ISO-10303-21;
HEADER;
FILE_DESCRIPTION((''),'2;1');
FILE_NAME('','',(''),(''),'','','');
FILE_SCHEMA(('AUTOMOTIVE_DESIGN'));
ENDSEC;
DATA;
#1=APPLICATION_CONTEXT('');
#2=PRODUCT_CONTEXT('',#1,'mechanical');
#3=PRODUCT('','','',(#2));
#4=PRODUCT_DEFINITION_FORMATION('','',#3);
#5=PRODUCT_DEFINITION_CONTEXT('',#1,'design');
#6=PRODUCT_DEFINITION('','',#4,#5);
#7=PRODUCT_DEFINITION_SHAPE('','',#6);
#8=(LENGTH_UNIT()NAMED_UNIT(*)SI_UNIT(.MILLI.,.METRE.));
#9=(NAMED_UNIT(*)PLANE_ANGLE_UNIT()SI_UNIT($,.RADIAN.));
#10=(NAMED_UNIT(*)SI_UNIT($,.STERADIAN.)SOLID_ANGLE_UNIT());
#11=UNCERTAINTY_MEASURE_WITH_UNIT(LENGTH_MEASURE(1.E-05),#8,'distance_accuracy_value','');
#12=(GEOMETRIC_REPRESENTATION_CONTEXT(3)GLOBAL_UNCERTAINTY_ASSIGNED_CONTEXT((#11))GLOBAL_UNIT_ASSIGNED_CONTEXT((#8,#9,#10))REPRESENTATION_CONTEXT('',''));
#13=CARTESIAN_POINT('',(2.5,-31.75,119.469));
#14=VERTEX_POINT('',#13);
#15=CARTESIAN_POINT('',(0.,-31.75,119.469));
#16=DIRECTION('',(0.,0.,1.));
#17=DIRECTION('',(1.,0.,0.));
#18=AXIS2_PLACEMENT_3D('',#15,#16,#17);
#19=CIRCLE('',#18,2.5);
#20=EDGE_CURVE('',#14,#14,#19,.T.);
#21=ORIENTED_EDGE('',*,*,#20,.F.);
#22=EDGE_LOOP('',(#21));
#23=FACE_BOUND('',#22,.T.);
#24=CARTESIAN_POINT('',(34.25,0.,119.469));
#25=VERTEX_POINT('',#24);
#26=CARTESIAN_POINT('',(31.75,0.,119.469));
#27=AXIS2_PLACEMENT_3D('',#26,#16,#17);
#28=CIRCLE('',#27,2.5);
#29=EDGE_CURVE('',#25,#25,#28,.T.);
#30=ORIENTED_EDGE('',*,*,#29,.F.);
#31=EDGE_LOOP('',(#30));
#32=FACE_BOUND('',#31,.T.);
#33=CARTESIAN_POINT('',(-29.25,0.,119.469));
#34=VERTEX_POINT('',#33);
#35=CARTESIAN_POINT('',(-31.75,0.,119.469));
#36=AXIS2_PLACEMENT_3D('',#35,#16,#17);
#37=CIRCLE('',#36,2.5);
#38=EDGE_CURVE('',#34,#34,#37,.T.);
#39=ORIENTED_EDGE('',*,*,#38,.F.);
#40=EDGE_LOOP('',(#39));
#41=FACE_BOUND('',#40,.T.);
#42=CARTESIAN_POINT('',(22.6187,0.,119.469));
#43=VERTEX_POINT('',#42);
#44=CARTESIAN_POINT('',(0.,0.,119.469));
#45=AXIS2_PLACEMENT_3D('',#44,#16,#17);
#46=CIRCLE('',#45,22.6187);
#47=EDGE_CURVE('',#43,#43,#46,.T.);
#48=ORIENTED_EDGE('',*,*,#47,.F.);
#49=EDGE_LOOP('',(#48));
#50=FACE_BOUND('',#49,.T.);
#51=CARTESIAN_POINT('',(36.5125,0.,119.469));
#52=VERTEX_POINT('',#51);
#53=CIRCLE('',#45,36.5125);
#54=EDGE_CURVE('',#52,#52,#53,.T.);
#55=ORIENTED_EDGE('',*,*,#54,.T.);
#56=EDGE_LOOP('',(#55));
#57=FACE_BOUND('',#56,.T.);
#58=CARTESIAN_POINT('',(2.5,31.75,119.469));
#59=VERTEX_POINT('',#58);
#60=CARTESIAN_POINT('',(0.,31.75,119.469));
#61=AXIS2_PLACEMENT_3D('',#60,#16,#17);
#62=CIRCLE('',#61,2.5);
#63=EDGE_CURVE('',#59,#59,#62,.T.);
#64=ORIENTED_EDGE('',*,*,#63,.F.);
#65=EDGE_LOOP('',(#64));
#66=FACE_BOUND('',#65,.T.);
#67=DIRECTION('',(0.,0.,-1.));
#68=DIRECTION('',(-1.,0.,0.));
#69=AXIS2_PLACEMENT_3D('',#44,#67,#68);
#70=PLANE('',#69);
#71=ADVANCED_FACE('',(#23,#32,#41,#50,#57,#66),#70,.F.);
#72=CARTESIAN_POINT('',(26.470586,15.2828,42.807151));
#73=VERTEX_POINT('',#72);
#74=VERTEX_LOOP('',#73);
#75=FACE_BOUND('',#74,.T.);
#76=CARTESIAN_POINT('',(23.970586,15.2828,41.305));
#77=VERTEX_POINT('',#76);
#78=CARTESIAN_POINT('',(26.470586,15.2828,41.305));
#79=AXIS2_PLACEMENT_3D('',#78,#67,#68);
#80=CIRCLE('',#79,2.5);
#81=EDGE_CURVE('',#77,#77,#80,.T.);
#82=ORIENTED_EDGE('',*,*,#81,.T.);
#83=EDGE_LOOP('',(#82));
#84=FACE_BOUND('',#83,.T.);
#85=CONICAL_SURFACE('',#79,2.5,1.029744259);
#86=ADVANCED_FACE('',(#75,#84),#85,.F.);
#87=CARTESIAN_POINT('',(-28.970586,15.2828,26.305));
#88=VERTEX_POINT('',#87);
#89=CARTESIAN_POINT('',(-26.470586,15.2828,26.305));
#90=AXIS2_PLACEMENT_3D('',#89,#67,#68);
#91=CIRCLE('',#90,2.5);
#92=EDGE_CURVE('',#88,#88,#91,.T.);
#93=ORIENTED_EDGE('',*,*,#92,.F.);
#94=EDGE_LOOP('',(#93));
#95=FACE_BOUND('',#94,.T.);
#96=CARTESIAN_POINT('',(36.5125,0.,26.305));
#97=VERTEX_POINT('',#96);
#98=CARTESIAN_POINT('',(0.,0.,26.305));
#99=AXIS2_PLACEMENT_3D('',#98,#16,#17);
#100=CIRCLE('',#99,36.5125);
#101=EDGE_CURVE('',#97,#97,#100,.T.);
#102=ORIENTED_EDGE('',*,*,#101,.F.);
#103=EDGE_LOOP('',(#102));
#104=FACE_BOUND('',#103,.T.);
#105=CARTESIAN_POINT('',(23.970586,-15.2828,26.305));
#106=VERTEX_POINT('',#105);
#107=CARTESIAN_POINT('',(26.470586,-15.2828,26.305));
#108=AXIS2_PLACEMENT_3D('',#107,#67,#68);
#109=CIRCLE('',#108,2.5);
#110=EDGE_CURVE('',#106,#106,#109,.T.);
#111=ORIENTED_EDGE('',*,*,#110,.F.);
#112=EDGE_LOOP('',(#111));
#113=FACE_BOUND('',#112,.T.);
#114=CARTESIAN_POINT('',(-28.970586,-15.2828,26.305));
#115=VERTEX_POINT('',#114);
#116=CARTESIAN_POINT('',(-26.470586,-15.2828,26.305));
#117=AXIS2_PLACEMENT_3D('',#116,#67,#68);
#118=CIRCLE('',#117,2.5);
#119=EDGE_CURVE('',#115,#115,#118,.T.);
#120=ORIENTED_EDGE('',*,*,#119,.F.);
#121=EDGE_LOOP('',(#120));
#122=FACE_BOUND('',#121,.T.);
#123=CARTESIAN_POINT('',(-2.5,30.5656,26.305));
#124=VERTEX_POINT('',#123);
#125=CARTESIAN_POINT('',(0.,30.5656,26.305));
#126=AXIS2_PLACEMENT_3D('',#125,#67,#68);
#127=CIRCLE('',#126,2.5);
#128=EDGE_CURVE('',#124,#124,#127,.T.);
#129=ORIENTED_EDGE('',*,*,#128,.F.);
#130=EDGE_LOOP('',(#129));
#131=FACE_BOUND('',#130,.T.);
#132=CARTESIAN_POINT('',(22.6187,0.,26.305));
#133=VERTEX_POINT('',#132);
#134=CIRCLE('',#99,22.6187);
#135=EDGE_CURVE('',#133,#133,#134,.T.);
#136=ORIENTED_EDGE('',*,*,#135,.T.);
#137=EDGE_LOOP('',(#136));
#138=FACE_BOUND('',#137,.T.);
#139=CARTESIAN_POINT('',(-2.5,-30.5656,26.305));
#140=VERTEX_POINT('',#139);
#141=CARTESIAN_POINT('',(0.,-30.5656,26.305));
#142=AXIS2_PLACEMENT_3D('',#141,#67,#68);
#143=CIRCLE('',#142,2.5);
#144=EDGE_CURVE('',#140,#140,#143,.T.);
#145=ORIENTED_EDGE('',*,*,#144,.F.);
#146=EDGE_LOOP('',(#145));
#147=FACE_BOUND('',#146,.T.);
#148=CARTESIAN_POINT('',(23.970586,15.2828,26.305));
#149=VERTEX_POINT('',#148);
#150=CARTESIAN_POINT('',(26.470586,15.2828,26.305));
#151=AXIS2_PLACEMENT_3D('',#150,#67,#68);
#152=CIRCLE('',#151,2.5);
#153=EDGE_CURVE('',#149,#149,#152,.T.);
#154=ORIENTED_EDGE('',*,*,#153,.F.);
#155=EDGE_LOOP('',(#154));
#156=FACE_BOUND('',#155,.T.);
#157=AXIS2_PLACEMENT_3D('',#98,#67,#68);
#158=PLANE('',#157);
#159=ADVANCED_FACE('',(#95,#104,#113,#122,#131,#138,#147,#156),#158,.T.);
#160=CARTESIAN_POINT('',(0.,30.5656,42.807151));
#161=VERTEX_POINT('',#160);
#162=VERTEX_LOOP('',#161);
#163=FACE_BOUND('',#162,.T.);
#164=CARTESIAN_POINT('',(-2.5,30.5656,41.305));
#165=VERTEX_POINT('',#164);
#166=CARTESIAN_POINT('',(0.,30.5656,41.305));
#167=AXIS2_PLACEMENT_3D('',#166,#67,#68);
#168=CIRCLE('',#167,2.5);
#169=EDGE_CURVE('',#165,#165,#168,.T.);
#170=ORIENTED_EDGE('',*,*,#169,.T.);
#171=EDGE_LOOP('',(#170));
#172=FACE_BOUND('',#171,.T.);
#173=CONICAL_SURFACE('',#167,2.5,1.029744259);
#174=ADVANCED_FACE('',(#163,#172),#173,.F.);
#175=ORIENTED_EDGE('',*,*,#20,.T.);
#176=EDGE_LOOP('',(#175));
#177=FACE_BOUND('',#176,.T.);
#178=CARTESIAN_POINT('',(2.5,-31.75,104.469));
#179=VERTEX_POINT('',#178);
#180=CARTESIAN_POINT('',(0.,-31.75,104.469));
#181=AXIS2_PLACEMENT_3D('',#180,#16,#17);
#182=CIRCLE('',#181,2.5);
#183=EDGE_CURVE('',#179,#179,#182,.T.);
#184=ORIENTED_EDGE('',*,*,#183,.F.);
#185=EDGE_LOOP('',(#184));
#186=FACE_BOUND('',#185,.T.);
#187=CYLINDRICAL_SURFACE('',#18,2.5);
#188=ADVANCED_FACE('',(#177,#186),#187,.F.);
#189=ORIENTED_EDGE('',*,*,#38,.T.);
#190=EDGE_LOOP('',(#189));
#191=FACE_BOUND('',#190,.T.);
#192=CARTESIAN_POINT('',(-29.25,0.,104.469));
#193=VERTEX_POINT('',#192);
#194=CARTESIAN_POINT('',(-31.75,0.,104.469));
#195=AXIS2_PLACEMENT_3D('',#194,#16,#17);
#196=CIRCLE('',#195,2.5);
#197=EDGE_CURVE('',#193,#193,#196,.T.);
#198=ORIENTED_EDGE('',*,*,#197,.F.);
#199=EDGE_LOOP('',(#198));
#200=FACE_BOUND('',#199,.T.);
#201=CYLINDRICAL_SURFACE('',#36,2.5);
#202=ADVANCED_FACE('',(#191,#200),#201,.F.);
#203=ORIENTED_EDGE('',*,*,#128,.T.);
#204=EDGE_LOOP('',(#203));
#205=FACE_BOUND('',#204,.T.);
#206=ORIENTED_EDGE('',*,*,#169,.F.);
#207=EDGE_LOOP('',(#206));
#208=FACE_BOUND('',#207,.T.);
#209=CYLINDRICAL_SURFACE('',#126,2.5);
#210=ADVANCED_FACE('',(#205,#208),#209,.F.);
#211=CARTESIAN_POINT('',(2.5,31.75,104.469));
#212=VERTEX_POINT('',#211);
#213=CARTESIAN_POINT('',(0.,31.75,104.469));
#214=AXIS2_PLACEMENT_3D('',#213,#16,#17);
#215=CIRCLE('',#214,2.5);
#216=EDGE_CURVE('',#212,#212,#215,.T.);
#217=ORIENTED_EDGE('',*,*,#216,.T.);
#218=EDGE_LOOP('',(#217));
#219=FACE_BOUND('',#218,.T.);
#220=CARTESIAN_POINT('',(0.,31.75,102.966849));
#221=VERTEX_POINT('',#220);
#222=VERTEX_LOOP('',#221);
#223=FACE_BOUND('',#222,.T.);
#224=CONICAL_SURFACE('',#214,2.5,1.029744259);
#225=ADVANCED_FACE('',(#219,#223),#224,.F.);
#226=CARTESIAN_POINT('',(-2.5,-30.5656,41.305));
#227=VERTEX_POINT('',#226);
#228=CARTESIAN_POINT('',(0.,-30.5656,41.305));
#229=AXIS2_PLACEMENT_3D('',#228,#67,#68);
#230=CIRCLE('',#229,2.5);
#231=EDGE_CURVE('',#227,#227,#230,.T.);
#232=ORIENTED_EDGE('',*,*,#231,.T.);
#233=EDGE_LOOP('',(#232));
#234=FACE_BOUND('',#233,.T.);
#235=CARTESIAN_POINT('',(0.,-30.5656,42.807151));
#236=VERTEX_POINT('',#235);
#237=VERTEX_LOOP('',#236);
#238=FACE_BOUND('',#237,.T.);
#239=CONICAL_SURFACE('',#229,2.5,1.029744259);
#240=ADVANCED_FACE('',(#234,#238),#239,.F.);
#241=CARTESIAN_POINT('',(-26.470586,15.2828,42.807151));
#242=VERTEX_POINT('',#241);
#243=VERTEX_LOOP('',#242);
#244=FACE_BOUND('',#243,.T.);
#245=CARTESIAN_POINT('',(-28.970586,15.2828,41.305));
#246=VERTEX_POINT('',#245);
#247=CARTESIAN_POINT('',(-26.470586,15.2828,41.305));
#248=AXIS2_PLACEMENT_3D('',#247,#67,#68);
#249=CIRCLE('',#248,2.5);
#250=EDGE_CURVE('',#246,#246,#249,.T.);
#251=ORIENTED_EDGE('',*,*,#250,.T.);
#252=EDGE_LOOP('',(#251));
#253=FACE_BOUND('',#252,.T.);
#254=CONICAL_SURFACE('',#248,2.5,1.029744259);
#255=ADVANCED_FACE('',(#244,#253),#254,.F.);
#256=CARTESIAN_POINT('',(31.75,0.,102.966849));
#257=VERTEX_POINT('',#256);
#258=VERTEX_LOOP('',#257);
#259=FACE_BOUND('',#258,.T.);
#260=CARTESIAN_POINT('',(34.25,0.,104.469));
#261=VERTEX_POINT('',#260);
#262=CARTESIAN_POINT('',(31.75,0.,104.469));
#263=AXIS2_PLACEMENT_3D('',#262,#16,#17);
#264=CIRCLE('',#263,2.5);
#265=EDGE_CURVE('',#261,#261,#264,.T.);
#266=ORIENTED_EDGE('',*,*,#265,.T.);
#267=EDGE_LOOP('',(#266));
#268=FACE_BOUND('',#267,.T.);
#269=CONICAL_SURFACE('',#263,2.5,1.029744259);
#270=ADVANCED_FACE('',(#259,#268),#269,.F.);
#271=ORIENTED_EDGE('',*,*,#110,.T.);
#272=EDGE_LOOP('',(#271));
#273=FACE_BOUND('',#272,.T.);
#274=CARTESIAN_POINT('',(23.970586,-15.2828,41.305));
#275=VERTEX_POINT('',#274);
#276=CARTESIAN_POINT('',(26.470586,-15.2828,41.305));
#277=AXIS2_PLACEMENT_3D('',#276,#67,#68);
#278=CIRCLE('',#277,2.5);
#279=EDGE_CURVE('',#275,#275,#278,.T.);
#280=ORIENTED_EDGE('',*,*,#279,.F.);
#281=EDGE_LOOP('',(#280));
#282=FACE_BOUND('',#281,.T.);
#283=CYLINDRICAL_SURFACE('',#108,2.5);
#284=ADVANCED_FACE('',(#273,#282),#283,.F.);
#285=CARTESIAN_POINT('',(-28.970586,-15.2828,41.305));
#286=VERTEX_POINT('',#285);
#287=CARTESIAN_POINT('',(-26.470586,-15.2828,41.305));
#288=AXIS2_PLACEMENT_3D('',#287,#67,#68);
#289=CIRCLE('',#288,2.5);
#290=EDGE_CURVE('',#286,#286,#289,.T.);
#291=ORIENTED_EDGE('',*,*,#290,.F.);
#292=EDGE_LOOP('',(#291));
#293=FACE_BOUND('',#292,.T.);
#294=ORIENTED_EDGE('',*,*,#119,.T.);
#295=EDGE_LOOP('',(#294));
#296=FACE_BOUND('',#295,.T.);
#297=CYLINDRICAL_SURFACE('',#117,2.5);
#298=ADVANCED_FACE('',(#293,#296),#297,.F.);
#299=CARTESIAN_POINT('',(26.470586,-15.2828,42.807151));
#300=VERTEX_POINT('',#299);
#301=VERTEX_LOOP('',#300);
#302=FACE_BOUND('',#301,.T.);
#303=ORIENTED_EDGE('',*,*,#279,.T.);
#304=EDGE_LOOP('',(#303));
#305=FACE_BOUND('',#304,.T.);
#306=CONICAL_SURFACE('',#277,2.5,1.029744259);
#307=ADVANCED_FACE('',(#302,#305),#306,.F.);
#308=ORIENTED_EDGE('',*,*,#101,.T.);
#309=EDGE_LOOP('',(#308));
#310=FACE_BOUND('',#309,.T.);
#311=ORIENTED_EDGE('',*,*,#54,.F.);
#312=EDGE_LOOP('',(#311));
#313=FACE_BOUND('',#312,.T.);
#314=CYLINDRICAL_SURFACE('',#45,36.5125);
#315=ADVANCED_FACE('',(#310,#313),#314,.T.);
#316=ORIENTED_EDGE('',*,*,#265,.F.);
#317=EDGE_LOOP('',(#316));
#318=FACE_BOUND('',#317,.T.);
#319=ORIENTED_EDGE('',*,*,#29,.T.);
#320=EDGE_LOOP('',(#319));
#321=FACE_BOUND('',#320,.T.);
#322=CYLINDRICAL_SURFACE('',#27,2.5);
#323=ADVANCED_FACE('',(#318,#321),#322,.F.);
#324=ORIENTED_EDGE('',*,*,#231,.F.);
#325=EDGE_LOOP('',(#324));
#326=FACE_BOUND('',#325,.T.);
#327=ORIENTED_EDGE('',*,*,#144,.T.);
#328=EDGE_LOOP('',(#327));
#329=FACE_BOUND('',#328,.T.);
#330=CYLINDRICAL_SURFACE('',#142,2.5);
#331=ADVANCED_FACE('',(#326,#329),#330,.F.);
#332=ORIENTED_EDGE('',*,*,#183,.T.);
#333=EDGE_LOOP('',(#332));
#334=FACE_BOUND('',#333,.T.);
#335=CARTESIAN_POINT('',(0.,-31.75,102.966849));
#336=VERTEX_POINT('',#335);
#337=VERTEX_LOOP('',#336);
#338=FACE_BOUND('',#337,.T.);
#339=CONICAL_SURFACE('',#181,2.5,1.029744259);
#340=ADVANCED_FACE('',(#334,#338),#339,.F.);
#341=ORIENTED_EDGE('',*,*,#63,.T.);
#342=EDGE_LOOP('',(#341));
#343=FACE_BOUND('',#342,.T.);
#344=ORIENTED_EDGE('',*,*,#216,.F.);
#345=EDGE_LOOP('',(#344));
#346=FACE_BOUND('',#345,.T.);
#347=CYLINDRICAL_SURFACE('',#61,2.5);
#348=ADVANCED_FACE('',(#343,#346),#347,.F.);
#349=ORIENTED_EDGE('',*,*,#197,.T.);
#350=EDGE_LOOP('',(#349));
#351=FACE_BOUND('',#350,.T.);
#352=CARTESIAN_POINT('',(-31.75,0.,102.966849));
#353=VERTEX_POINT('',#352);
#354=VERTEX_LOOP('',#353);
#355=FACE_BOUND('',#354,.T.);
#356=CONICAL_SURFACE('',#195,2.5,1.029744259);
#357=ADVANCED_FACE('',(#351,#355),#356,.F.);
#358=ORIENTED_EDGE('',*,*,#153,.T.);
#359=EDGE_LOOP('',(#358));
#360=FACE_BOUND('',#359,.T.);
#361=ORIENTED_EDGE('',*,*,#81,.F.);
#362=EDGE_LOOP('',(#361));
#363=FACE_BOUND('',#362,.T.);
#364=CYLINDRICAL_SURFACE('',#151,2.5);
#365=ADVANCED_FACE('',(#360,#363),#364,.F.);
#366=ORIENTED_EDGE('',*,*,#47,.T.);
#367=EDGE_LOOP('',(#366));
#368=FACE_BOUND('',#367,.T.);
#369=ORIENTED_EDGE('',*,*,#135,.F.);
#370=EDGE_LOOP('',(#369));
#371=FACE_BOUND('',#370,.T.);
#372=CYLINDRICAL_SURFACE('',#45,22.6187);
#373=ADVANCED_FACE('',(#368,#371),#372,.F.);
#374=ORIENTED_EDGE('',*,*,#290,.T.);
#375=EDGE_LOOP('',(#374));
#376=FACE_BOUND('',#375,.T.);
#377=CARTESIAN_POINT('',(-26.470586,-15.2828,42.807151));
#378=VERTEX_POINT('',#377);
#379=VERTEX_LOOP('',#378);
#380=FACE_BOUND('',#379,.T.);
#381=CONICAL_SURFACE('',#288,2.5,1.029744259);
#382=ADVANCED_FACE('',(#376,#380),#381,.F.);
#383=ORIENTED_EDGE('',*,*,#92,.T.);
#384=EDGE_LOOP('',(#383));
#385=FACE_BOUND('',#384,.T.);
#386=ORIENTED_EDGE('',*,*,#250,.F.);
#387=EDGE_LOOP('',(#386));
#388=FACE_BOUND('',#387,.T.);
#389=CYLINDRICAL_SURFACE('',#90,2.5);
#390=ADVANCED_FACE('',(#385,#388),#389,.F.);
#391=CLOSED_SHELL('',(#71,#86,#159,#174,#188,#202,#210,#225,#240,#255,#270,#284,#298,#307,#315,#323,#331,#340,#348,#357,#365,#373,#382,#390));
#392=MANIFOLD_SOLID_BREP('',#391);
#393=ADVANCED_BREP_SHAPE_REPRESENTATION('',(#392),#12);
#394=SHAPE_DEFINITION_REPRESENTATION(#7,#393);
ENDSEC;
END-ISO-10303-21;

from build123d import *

# Parameters (mm, degrees)
SKETCH1_W              = 93.16400014
SKETCH1_H              = 13.8938
BACKFACEPATTERN_COUNT  = 6
FRONTFACEPATTERN_COUNT = 4


with BuildPart() as part:
    # Sketch1 → Revolve1 (revolve)
    with BuildSketch(Plane(origin=(0, 0, 0), x_dir=(0, 0, -1), z_dir=(1, 0, 0)), mode=Mode.PRIVATE) as revolve1_sk:
        with Locations((-72.887000006, 29.5656)):
            Rectangle(SKETCH1_W, SKETCH1_H)
    revolve(revolve1_sk.sketch.rotate(Axis((0, 0, 119.469000076), (0, 0, -1)), 90), axis=Axis((0, 0, 119.469000076), (0, 0, -1)))

    # Sketch9 → M6x1.0 Tapped Hole3 (revolve, cut)
    with BuildSketch(Plane(origin=(0, 30.565600032, 26.304999936), x_dir=(0, 1, 0), z_dir=(1, 0, 0))):
        Polygon((0, 0), (0, 16.502151548), (2.5, 15), (2.5, 0), align=None)
    m6x1_0_tapped_hole3 = revolve(axis=Axis((0, 30.565600032, 19.954999936), (0, 0, 1)), mode=Mode.SUBTRACT)

    # BackFacePattern: M6x1.0 Tapped Hole3 ×6 about axis
    backfacepattern_axis = Axis((0, 0, 0), (0, 0, 1))
    for i in range(1, BACKFACEPATTERN_COUNT):
        add(m6x1_0_tapped_hole3.rotate(backfacepattern_axis, i * 360 / BACKFACEPATTERN_COUNT), mode=Mode.SUBTRACT)

    # Sketch6 → M6x1.0 Tapped Hole2 (revolve, cut)
    with BuildSketch(Plane(origin=(0, 31.75, 119.469000076), x_dir=(0, -1, 0), z_dir=(1, 0, 0))):
        Polygon((0, 0), (0, 16.502151548), (2.5, 15), (2.5, 0), align=None)
    m6x1_0_tapped_hole2 = revolve(axis=Axis((0, 31.75, 125.819000076), (0, 0, -1)), mode=Mode.SUBTRACT)

    # FrontFacePattern: M6x1.0 Tapped Hole2 ×4 about axis
    frontfacepattern_axis = Axis((0, 0, 0), (0, 0, 1))
    for i in range(1, FRONTFACEPATTERN_COUNT):
        add(m6x1_0_tapped_hole2.rotate(frontfacepattern_axis, i * 360 / FRONTFACEPATTERN_COUNT), mode=Mode.SUBTRACT)


solid = part.part
